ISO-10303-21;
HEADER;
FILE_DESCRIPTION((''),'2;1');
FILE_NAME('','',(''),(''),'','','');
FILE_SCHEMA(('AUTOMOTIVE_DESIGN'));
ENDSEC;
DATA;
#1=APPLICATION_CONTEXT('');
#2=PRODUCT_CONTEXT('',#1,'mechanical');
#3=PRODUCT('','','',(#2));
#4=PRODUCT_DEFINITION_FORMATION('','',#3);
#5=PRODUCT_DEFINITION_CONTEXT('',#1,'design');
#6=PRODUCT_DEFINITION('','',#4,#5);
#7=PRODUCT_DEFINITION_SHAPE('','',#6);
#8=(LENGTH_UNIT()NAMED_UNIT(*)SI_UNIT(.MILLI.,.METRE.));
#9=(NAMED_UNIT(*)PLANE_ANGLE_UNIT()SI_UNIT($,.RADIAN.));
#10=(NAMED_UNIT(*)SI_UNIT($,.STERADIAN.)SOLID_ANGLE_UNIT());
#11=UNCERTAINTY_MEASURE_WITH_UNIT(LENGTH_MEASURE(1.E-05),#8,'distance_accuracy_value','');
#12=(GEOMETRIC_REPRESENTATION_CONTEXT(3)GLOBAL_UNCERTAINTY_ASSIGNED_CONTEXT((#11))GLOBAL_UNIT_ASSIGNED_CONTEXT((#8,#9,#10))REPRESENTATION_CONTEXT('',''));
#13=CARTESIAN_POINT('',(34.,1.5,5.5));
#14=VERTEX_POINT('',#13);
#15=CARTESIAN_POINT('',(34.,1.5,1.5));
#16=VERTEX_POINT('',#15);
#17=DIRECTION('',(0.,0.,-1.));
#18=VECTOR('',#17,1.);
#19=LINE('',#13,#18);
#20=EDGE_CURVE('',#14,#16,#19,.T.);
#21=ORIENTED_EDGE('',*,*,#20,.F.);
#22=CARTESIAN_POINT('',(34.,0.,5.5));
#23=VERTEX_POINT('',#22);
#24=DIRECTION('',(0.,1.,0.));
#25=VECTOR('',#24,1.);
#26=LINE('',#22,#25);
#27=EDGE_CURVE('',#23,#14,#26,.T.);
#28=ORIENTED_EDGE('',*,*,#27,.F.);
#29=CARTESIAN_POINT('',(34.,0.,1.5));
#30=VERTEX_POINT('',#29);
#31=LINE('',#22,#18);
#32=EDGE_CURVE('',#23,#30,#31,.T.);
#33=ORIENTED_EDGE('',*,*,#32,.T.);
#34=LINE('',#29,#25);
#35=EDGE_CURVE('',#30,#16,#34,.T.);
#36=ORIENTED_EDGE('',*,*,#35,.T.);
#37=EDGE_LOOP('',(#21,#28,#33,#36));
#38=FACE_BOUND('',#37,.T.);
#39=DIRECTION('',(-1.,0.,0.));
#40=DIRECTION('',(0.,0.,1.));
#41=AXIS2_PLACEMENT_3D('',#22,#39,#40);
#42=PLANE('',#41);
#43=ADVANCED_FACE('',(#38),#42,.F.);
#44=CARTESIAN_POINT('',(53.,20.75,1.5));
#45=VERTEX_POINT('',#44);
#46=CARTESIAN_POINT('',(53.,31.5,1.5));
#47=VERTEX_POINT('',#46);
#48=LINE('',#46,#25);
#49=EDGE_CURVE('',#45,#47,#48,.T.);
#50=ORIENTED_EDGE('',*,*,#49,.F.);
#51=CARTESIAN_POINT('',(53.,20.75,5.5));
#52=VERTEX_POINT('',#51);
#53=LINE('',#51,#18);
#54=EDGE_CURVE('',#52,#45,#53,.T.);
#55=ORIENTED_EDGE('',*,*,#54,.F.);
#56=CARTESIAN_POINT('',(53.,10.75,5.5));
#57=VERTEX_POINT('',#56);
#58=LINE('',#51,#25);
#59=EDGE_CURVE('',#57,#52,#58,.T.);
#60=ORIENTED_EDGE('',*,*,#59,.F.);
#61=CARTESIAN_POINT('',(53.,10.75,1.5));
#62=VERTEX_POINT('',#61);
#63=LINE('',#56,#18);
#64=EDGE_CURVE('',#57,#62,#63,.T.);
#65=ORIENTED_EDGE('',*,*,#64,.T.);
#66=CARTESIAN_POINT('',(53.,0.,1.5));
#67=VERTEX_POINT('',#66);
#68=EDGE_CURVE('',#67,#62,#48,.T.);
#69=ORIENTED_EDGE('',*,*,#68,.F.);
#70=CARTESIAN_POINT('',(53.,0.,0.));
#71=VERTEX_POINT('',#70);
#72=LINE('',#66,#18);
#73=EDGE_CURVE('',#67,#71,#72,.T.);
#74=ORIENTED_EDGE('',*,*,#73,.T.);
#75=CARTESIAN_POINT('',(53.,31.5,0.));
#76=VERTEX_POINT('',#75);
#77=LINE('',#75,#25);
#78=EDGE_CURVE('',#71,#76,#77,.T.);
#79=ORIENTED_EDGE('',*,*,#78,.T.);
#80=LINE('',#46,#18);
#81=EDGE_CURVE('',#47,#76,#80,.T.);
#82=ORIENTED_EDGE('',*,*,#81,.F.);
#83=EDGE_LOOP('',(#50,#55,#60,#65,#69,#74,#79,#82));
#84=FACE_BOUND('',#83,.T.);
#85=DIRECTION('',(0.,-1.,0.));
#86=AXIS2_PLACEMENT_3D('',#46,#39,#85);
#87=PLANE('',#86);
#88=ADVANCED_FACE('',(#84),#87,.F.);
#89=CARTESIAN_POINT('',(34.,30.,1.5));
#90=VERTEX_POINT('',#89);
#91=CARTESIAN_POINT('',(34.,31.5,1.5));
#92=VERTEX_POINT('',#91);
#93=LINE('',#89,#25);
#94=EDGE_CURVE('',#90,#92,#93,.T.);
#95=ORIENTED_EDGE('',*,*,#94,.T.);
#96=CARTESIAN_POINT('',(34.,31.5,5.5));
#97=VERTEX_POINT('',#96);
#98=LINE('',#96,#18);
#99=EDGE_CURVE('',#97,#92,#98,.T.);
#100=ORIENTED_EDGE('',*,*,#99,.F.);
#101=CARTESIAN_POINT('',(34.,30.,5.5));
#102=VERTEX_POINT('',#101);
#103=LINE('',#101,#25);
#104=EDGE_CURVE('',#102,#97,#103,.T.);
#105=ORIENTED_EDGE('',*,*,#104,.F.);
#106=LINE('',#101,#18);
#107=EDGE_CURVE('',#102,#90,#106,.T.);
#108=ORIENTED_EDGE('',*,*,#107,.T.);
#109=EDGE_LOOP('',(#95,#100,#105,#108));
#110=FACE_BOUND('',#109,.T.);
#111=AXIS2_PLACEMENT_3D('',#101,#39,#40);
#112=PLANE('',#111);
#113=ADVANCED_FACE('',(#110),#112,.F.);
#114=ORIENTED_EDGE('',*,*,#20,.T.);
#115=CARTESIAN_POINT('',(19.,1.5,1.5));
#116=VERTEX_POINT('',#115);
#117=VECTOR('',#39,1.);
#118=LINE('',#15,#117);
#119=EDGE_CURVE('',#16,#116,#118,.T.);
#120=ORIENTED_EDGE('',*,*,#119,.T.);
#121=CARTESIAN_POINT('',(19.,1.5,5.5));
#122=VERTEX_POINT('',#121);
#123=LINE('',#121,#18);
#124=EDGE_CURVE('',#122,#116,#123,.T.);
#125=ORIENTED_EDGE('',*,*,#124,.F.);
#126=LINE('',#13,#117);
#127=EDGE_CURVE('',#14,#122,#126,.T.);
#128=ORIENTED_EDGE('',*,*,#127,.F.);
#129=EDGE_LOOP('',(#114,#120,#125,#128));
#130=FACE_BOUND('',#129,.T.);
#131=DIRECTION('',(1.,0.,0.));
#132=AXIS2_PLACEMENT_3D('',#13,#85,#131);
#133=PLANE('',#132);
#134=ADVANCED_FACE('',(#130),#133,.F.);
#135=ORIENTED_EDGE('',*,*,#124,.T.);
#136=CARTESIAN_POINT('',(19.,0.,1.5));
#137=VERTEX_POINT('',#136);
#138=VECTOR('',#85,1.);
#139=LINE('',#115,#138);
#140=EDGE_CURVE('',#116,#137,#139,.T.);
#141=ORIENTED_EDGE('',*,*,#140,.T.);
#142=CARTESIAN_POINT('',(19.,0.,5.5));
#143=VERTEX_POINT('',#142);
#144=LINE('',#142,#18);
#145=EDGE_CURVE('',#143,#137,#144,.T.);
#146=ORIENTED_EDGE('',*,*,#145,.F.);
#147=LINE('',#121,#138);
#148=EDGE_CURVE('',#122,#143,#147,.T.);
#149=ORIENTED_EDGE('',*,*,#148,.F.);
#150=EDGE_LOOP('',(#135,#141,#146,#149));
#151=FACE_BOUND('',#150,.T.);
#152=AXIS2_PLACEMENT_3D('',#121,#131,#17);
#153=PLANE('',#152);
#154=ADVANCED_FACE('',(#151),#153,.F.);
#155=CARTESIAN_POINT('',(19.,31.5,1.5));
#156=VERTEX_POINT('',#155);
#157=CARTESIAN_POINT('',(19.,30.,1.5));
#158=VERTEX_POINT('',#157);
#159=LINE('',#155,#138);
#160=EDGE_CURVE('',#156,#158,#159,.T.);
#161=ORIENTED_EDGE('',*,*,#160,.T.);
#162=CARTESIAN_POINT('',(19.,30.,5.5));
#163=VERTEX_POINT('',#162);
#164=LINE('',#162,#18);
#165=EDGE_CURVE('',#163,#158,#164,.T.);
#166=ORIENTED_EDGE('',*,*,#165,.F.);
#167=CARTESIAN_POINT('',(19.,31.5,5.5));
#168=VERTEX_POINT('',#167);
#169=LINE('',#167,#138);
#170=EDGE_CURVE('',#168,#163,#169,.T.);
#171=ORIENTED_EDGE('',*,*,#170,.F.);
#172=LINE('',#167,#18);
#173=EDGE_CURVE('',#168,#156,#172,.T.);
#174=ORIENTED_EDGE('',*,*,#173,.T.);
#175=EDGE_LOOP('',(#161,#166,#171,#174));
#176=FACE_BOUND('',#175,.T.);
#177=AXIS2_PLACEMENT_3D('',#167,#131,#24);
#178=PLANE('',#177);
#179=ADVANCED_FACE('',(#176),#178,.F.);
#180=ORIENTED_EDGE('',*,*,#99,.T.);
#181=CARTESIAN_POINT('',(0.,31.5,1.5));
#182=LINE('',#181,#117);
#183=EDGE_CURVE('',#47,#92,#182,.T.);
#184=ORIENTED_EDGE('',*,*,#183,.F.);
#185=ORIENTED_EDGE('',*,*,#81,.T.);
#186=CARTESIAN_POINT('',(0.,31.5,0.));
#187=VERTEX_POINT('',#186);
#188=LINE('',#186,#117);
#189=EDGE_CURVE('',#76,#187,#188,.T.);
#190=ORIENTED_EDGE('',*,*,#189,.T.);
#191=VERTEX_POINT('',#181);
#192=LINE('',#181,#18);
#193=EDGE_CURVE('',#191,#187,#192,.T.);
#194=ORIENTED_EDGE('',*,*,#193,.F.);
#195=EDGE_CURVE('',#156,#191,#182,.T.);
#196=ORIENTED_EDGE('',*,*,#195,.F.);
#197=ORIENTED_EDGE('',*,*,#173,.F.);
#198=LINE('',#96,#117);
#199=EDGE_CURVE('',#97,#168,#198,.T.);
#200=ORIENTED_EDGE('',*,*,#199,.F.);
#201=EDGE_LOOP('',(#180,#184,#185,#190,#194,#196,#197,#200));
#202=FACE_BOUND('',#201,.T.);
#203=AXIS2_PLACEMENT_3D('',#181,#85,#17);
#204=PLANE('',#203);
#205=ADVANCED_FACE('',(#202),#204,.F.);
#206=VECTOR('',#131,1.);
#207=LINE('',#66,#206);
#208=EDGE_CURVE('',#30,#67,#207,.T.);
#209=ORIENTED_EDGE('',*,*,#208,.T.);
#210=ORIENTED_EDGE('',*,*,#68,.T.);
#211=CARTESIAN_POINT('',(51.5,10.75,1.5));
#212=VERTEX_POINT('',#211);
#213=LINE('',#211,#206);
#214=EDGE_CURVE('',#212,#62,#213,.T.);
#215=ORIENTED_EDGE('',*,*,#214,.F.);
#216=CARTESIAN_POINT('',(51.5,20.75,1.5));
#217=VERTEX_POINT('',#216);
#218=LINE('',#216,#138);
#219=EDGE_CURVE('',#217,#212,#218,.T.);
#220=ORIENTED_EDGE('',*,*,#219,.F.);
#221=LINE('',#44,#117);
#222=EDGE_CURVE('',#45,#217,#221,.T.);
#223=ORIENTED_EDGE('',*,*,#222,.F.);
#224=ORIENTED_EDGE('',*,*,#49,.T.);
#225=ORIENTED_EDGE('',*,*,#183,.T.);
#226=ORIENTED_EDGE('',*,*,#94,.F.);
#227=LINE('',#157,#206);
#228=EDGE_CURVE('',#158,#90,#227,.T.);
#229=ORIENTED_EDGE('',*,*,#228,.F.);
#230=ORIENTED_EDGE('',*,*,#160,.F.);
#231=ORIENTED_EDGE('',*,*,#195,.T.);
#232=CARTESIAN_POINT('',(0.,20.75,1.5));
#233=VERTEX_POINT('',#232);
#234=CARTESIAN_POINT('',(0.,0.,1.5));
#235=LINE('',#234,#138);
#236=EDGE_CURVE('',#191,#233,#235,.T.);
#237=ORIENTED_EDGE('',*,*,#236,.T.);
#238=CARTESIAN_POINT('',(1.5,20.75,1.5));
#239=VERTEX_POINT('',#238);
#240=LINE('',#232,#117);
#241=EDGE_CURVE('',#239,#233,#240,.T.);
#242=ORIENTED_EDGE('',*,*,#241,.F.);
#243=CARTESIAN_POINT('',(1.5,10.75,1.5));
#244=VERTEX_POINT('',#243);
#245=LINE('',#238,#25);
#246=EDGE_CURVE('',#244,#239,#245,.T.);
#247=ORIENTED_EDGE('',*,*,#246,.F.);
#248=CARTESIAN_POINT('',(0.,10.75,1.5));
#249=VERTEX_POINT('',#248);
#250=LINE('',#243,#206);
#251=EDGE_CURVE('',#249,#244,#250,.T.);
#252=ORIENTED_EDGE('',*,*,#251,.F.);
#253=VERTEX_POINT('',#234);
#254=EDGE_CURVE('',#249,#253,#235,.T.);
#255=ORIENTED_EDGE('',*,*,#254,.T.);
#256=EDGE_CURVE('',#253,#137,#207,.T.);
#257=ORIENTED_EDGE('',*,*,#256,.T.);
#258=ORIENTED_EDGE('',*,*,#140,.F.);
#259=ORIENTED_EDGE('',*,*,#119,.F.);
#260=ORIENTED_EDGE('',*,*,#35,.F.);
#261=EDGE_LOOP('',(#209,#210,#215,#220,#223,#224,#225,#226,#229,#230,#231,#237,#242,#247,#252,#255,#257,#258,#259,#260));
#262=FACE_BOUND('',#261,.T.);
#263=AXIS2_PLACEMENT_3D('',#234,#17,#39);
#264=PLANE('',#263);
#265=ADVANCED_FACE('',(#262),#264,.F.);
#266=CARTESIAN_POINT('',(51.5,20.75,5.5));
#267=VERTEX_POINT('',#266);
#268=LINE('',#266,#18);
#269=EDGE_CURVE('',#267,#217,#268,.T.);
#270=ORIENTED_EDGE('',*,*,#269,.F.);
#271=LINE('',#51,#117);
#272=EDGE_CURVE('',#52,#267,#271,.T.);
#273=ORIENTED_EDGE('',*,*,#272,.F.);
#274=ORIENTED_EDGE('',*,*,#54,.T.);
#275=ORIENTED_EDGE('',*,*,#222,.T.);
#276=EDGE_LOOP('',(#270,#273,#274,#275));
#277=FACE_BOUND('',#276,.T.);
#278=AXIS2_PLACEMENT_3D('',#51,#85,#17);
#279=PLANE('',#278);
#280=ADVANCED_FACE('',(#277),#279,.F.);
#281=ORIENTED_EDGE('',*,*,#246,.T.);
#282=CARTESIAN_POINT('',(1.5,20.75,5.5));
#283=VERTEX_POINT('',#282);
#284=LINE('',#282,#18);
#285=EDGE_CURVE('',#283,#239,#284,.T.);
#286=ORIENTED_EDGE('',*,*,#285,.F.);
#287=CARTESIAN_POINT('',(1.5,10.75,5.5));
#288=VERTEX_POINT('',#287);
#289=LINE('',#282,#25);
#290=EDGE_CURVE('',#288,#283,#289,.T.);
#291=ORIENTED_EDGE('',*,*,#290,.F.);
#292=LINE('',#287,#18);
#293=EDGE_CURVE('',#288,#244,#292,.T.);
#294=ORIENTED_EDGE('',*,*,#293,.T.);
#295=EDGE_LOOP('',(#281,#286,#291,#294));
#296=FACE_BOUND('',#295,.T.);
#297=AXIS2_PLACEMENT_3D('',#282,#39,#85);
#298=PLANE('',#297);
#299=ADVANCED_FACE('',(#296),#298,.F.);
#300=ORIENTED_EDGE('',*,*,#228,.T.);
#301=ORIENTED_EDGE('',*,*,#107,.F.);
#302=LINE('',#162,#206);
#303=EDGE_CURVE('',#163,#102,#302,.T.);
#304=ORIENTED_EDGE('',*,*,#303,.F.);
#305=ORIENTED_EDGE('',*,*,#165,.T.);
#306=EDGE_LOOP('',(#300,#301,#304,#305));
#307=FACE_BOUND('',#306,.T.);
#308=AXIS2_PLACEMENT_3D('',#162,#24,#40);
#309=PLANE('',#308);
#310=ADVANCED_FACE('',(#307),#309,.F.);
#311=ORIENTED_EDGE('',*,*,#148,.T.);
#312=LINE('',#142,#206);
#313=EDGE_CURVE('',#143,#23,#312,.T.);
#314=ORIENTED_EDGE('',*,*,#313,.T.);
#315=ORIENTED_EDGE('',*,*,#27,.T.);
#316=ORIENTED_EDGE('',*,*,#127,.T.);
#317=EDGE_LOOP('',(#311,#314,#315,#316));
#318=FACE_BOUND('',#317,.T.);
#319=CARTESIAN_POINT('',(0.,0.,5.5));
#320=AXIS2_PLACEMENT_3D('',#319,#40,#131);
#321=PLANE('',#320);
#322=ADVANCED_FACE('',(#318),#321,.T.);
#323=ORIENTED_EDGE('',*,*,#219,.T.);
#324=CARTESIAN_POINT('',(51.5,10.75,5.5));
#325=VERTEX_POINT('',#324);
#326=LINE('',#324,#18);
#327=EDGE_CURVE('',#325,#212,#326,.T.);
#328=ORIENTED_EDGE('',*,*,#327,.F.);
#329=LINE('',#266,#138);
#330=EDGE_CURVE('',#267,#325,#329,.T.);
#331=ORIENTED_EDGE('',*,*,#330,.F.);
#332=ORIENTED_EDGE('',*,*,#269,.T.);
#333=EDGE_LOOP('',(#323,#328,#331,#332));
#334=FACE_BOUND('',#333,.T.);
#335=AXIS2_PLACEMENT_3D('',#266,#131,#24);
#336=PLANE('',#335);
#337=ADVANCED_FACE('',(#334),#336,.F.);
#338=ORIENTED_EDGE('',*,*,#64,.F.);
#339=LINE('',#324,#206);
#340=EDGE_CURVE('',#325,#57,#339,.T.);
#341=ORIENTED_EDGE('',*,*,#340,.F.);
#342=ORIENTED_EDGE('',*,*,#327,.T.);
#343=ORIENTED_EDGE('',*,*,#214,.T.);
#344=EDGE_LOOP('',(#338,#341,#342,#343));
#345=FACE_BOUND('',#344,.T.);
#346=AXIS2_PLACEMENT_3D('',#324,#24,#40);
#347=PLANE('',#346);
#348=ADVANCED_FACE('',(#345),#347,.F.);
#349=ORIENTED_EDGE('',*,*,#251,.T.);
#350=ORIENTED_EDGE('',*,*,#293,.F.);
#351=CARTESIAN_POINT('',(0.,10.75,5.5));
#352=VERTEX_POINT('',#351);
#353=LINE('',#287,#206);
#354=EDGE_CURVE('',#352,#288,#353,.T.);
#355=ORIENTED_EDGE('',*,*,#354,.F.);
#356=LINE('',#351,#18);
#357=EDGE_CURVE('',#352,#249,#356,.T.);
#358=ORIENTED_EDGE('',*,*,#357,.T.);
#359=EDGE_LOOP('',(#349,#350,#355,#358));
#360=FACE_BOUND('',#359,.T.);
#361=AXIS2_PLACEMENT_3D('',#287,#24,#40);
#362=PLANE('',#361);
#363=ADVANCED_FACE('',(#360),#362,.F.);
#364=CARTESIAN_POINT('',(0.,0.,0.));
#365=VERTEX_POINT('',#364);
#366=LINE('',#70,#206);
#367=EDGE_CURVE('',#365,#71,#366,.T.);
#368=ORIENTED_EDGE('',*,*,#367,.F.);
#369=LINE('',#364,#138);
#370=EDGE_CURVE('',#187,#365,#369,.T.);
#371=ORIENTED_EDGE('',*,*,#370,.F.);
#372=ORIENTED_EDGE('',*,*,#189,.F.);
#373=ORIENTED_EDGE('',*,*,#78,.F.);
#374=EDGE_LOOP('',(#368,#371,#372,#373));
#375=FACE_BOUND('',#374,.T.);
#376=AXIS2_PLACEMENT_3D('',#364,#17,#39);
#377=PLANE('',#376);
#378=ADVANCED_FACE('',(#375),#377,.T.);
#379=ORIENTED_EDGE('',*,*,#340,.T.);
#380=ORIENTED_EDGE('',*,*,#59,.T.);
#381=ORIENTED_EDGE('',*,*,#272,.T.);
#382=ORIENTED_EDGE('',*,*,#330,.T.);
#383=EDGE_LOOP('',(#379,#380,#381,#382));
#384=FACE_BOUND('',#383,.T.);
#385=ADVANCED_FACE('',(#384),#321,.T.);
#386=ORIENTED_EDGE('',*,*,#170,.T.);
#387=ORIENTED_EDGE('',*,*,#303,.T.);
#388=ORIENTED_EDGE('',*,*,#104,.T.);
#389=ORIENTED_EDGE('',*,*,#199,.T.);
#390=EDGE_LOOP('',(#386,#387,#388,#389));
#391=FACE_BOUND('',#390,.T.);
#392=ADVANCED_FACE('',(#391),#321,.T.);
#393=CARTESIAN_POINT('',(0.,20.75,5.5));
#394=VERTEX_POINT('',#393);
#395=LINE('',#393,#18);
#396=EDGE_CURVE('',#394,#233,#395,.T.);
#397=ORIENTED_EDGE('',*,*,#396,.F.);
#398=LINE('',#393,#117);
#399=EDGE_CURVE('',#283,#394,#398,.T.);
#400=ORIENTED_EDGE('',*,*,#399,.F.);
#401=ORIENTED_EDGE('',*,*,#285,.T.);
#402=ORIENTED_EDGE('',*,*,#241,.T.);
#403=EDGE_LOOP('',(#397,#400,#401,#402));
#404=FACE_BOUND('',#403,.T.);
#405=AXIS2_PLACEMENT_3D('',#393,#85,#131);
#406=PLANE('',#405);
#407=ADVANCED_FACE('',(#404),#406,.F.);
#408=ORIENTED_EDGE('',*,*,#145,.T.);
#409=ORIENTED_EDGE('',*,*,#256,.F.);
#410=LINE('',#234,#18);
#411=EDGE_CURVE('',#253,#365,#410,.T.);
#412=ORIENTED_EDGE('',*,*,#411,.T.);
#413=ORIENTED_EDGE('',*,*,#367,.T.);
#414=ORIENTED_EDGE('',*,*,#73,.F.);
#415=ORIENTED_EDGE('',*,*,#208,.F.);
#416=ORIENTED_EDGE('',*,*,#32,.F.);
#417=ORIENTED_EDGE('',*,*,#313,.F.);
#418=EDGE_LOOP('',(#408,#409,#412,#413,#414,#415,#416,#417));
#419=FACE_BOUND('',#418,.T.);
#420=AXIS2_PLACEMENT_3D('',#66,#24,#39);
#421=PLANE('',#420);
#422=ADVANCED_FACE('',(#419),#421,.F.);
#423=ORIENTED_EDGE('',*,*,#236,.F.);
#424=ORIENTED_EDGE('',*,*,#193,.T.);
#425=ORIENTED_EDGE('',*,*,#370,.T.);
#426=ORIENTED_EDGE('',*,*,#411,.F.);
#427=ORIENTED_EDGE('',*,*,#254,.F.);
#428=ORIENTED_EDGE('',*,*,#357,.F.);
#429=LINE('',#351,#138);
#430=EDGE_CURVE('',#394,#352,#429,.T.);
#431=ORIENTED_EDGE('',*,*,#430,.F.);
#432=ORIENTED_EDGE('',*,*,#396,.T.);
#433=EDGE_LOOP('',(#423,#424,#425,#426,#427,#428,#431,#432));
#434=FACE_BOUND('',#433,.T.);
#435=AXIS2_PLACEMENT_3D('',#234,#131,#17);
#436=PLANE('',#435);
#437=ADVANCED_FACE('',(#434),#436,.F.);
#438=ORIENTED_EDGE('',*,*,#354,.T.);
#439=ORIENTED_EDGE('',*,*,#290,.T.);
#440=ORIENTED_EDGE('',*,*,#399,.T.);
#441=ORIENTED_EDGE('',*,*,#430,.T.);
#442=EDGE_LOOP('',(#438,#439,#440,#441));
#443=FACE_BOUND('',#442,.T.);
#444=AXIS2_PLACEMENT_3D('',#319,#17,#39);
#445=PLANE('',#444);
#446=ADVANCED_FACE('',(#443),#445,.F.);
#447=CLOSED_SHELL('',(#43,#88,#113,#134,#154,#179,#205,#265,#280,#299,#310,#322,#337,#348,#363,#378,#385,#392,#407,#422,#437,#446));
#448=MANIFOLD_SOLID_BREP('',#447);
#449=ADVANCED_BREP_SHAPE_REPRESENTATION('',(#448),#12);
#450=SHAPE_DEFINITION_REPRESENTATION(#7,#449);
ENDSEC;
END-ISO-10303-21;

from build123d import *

# Parameters (mm, degrees)
SKETCH1_W           = 53
SKETCH1_H           = 31.5
BOSS_EXTRUDE1_DEPTH = 1.5
SKETCH2_W           = 1.5
SKETCH2_H           = 10
SKETCH2_W_2         = 15
SKETCH2_H_2         = 1.5
BOSS_EXTRUDE2_DEPTH = 4


with BuildPart() as part:
    # Sketch1 → Boss-Extrude1 (new body)
    with BuildSketch(Plane.XY):
        with Locations((26.5, 15.75)):
            Rectangle(SKETCH1_W, SKETCH1_H)
    extrude(amount=BOSS_EXTRUDE1_DEPTH)

    # Sketch2 → Boss-Extrude2 (add)
    with BuildSketch(Plane.XY.offset(1.5)):
        with Locations((0.75, 15.75)):
            Rectangle(SKETCH2_W, SKETCH2_H)
        with Locations((26.5, 30.75)):
            Rectangle(SKETCH2_W_2, SKETCH2_H_2)
        with Locations((52.25, 15.75)):
            Rectangle(SKETCH2_W, SKETCH2_H)
        with Locations((26.5, 0.75)):
            Rectangle(SKETCH2_W_2, SKETCH2_H_2)
    extrude(amount=BOSS_EXTRUDE2_DEPTH)


solid = part.part
